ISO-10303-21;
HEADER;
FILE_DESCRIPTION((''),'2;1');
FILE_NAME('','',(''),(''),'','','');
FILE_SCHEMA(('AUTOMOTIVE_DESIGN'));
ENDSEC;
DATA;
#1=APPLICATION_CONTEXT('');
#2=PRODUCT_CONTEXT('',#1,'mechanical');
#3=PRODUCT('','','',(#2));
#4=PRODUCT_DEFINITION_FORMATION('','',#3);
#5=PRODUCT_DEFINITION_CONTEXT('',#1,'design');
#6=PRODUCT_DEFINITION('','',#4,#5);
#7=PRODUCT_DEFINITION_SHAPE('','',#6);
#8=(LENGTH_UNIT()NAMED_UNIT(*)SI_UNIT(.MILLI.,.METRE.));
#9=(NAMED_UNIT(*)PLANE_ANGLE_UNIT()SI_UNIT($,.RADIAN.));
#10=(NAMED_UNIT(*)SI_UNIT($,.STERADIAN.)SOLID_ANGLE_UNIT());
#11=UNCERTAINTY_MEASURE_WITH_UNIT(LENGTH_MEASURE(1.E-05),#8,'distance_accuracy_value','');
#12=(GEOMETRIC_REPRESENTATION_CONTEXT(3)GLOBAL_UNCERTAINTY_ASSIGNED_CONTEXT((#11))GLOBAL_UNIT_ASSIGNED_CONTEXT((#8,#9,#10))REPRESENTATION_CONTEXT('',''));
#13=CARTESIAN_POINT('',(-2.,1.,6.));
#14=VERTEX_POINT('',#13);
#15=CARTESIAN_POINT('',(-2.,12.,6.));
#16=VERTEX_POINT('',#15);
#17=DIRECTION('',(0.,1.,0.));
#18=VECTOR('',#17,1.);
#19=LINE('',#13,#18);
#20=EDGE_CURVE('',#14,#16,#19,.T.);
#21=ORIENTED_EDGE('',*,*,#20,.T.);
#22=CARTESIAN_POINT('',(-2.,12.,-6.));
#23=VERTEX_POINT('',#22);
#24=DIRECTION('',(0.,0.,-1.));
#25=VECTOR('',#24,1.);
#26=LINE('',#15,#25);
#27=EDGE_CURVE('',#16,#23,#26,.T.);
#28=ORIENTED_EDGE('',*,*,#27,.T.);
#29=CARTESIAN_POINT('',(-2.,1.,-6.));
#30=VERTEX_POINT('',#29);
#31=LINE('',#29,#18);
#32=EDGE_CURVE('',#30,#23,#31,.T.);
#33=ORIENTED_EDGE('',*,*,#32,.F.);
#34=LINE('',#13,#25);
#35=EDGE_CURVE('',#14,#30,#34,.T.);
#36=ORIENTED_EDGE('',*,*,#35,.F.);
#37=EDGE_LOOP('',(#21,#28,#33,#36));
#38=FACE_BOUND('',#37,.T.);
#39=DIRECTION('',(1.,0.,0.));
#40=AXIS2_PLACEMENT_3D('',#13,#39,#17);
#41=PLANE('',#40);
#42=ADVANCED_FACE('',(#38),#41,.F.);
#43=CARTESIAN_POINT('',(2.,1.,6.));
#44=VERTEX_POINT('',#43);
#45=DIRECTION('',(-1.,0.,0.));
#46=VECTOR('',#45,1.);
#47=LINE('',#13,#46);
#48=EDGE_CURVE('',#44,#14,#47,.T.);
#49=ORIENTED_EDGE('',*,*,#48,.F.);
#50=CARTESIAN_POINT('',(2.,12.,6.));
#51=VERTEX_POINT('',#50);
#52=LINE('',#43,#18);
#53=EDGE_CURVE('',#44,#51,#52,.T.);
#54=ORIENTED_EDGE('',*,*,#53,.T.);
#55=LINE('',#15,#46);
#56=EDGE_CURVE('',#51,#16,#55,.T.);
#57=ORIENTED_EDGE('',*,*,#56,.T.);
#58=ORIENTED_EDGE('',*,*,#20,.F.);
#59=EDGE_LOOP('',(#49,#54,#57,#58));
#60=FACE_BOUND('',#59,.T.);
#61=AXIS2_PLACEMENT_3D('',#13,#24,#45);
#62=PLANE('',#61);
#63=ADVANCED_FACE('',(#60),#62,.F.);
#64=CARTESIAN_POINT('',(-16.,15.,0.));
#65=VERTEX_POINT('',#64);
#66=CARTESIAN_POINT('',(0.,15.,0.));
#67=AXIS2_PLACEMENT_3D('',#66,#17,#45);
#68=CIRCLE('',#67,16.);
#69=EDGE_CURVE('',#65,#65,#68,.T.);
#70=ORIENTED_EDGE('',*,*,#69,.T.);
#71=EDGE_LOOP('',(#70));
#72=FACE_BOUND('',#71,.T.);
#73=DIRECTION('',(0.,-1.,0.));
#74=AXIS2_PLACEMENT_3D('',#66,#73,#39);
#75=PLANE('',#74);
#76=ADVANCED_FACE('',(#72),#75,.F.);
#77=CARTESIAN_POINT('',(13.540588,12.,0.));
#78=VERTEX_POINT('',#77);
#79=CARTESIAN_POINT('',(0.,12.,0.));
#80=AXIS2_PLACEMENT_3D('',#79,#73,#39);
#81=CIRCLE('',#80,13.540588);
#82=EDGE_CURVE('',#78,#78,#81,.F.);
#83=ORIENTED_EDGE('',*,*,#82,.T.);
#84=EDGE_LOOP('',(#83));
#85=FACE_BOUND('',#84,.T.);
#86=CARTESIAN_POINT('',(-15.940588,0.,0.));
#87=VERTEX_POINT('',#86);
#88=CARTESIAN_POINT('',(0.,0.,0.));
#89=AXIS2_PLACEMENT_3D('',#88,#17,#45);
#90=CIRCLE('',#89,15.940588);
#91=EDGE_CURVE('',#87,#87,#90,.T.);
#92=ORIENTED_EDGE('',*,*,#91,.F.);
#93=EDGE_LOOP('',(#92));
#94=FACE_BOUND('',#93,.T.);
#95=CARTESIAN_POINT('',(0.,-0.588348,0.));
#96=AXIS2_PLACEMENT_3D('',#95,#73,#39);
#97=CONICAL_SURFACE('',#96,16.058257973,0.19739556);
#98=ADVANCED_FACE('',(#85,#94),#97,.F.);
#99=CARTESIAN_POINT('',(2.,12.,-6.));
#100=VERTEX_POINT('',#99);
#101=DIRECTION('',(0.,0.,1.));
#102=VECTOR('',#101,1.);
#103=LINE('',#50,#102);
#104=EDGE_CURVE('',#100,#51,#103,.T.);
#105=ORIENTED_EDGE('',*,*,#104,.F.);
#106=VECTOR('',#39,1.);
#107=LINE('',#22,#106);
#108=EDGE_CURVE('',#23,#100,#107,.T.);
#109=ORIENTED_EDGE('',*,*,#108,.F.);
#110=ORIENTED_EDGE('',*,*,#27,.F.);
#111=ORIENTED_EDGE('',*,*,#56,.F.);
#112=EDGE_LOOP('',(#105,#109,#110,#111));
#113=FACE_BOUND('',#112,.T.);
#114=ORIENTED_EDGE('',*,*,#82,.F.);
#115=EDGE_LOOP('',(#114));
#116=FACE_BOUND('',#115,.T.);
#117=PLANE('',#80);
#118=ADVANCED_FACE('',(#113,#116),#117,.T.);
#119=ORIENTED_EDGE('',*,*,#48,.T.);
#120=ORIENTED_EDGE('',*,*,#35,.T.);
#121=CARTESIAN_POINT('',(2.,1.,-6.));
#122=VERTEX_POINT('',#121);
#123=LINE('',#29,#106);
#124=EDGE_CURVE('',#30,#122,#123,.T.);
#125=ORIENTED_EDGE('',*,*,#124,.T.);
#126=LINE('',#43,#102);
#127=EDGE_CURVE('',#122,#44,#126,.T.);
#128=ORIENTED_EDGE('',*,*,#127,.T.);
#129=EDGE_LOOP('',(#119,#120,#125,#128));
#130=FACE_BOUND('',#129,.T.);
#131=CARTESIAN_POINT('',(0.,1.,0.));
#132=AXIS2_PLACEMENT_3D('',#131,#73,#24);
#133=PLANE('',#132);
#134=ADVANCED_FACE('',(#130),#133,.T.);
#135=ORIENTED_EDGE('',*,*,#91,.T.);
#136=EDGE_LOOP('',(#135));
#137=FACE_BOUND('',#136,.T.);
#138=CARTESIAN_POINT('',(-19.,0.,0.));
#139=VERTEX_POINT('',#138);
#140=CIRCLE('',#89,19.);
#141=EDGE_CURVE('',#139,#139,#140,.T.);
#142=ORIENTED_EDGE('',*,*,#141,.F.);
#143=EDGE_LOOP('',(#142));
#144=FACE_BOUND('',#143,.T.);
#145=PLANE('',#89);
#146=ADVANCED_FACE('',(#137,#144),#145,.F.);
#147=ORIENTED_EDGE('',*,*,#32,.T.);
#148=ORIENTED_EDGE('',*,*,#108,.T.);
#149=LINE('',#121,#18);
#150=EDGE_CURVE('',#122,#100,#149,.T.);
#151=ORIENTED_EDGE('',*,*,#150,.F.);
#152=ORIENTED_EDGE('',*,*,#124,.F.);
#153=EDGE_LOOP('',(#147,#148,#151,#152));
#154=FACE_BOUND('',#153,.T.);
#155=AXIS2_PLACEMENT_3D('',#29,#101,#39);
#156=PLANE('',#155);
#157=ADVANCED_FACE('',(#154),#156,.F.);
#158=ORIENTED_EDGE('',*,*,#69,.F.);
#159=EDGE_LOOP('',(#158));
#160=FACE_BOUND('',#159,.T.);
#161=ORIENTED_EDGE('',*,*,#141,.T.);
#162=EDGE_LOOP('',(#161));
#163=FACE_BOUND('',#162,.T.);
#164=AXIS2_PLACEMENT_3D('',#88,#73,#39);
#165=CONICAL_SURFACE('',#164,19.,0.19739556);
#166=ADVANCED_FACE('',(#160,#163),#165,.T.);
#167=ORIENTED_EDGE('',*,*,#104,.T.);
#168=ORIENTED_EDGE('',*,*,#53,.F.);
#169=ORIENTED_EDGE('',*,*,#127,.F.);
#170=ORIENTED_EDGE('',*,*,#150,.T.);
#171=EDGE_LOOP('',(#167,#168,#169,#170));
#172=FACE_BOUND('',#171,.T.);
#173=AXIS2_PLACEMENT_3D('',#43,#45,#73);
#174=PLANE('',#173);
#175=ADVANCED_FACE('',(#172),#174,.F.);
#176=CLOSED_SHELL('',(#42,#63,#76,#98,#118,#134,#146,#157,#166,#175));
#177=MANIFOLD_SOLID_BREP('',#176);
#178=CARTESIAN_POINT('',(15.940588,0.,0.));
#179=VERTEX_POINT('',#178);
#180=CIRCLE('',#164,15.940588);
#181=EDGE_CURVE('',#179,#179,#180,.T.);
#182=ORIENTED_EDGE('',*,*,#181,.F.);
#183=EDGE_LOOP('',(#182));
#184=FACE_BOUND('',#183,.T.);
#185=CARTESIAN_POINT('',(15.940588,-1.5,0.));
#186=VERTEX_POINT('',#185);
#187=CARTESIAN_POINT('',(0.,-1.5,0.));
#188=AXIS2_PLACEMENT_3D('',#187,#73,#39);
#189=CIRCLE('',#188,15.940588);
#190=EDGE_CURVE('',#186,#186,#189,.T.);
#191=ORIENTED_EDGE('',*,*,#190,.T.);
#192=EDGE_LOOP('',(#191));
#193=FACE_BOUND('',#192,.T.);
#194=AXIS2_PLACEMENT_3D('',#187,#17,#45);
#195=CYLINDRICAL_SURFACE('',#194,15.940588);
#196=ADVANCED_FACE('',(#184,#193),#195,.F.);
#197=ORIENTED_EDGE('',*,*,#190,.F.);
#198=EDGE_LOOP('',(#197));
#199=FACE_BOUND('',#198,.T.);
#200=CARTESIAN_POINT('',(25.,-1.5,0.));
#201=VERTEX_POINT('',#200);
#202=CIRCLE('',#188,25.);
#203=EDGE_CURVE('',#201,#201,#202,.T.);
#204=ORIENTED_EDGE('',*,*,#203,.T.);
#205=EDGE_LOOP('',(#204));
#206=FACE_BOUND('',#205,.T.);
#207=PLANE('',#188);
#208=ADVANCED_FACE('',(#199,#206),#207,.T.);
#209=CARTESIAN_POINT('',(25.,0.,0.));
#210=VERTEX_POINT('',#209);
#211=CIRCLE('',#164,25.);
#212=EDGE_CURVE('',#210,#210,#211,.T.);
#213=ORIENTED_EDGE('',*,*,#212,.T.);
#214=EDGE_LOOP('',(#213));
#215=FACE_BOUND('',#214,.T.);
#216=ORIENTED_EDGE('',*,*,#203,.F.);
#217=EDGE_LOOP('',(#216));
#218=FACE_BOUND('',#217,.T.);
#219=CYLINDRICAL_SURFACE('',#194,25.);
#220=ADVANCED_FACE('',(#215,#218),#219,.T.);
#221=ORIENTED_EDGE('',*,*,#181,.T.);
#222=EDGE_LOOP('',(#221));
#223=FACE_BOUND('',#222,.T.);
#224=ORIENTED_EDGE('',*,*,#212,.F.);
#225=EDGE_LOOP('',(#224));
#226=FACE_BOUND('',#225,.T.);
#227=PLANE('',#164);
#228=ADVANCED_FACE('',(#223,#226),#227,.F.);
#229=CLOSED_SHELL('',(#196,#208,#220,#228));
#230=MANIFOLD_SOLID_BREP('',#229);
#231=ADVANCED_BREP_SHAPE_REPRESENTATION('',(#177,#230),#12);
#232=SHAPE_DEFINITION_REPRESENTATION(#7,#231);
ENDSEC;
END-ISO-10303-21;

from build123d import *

# Parameters (mm, degrees)
SHELL1_T            = -3
SKETCH2_R           = 25
SKETCH2_R_2         = 15.940588292
BOSS_EXTRUDE1_DEPTH = 1.5
SKETCH5_W           = 4
SKETCH5_H           = 12
BOSS_EXTRUDE3_DEPTH = 11


with BuildPart() as part:
    # Sketch1 → Revolve1 (revolve)
    with BuildSketch(Plane.XY, mode=Mode.PRIVATE) as revolve1_sk:
        Polygon((0, 15), (0, 0), (19, 0), (16, 15), align=None)
    revolve(revolve1_sk.sketch.rotate(Axis((0, 15, 0), (0, -1, 0)), 180), axis=Axis((0, 15, 0), (0, -1, 0)))

    # Shell1
    shell1_openings = [part.faces().sort_by_distance(p)[0] for p in [
        (0, 0, 0),
    ]]
    offset(amount=SHELL1_T, openings=shell1_openings, kind=Kind.INTERSECTION)

    # Sketch5 → Boss-Extrude3 (add)
    with BuildSketch(Plane.XZ.offset(-12)):
        Rectangle(SKETCH5_W, SKETCH5_H)
    extrude(amount=BOSS_EXTRUDE3_DEPTH)


with BuildPart() as body_2:
    # Sketch2 → Boss-Extrude1 (new body)
    with BuildSketch(Plane.XZ):
        Circle(SKETCH2_R)
        Circle(SKETCH2_R_2, mode=Mode.SUBTRACT)
    extrude(amount=BOSS_EXTRUDE1_DEPTH)


solid = Compound([part.part, body_2.part])
